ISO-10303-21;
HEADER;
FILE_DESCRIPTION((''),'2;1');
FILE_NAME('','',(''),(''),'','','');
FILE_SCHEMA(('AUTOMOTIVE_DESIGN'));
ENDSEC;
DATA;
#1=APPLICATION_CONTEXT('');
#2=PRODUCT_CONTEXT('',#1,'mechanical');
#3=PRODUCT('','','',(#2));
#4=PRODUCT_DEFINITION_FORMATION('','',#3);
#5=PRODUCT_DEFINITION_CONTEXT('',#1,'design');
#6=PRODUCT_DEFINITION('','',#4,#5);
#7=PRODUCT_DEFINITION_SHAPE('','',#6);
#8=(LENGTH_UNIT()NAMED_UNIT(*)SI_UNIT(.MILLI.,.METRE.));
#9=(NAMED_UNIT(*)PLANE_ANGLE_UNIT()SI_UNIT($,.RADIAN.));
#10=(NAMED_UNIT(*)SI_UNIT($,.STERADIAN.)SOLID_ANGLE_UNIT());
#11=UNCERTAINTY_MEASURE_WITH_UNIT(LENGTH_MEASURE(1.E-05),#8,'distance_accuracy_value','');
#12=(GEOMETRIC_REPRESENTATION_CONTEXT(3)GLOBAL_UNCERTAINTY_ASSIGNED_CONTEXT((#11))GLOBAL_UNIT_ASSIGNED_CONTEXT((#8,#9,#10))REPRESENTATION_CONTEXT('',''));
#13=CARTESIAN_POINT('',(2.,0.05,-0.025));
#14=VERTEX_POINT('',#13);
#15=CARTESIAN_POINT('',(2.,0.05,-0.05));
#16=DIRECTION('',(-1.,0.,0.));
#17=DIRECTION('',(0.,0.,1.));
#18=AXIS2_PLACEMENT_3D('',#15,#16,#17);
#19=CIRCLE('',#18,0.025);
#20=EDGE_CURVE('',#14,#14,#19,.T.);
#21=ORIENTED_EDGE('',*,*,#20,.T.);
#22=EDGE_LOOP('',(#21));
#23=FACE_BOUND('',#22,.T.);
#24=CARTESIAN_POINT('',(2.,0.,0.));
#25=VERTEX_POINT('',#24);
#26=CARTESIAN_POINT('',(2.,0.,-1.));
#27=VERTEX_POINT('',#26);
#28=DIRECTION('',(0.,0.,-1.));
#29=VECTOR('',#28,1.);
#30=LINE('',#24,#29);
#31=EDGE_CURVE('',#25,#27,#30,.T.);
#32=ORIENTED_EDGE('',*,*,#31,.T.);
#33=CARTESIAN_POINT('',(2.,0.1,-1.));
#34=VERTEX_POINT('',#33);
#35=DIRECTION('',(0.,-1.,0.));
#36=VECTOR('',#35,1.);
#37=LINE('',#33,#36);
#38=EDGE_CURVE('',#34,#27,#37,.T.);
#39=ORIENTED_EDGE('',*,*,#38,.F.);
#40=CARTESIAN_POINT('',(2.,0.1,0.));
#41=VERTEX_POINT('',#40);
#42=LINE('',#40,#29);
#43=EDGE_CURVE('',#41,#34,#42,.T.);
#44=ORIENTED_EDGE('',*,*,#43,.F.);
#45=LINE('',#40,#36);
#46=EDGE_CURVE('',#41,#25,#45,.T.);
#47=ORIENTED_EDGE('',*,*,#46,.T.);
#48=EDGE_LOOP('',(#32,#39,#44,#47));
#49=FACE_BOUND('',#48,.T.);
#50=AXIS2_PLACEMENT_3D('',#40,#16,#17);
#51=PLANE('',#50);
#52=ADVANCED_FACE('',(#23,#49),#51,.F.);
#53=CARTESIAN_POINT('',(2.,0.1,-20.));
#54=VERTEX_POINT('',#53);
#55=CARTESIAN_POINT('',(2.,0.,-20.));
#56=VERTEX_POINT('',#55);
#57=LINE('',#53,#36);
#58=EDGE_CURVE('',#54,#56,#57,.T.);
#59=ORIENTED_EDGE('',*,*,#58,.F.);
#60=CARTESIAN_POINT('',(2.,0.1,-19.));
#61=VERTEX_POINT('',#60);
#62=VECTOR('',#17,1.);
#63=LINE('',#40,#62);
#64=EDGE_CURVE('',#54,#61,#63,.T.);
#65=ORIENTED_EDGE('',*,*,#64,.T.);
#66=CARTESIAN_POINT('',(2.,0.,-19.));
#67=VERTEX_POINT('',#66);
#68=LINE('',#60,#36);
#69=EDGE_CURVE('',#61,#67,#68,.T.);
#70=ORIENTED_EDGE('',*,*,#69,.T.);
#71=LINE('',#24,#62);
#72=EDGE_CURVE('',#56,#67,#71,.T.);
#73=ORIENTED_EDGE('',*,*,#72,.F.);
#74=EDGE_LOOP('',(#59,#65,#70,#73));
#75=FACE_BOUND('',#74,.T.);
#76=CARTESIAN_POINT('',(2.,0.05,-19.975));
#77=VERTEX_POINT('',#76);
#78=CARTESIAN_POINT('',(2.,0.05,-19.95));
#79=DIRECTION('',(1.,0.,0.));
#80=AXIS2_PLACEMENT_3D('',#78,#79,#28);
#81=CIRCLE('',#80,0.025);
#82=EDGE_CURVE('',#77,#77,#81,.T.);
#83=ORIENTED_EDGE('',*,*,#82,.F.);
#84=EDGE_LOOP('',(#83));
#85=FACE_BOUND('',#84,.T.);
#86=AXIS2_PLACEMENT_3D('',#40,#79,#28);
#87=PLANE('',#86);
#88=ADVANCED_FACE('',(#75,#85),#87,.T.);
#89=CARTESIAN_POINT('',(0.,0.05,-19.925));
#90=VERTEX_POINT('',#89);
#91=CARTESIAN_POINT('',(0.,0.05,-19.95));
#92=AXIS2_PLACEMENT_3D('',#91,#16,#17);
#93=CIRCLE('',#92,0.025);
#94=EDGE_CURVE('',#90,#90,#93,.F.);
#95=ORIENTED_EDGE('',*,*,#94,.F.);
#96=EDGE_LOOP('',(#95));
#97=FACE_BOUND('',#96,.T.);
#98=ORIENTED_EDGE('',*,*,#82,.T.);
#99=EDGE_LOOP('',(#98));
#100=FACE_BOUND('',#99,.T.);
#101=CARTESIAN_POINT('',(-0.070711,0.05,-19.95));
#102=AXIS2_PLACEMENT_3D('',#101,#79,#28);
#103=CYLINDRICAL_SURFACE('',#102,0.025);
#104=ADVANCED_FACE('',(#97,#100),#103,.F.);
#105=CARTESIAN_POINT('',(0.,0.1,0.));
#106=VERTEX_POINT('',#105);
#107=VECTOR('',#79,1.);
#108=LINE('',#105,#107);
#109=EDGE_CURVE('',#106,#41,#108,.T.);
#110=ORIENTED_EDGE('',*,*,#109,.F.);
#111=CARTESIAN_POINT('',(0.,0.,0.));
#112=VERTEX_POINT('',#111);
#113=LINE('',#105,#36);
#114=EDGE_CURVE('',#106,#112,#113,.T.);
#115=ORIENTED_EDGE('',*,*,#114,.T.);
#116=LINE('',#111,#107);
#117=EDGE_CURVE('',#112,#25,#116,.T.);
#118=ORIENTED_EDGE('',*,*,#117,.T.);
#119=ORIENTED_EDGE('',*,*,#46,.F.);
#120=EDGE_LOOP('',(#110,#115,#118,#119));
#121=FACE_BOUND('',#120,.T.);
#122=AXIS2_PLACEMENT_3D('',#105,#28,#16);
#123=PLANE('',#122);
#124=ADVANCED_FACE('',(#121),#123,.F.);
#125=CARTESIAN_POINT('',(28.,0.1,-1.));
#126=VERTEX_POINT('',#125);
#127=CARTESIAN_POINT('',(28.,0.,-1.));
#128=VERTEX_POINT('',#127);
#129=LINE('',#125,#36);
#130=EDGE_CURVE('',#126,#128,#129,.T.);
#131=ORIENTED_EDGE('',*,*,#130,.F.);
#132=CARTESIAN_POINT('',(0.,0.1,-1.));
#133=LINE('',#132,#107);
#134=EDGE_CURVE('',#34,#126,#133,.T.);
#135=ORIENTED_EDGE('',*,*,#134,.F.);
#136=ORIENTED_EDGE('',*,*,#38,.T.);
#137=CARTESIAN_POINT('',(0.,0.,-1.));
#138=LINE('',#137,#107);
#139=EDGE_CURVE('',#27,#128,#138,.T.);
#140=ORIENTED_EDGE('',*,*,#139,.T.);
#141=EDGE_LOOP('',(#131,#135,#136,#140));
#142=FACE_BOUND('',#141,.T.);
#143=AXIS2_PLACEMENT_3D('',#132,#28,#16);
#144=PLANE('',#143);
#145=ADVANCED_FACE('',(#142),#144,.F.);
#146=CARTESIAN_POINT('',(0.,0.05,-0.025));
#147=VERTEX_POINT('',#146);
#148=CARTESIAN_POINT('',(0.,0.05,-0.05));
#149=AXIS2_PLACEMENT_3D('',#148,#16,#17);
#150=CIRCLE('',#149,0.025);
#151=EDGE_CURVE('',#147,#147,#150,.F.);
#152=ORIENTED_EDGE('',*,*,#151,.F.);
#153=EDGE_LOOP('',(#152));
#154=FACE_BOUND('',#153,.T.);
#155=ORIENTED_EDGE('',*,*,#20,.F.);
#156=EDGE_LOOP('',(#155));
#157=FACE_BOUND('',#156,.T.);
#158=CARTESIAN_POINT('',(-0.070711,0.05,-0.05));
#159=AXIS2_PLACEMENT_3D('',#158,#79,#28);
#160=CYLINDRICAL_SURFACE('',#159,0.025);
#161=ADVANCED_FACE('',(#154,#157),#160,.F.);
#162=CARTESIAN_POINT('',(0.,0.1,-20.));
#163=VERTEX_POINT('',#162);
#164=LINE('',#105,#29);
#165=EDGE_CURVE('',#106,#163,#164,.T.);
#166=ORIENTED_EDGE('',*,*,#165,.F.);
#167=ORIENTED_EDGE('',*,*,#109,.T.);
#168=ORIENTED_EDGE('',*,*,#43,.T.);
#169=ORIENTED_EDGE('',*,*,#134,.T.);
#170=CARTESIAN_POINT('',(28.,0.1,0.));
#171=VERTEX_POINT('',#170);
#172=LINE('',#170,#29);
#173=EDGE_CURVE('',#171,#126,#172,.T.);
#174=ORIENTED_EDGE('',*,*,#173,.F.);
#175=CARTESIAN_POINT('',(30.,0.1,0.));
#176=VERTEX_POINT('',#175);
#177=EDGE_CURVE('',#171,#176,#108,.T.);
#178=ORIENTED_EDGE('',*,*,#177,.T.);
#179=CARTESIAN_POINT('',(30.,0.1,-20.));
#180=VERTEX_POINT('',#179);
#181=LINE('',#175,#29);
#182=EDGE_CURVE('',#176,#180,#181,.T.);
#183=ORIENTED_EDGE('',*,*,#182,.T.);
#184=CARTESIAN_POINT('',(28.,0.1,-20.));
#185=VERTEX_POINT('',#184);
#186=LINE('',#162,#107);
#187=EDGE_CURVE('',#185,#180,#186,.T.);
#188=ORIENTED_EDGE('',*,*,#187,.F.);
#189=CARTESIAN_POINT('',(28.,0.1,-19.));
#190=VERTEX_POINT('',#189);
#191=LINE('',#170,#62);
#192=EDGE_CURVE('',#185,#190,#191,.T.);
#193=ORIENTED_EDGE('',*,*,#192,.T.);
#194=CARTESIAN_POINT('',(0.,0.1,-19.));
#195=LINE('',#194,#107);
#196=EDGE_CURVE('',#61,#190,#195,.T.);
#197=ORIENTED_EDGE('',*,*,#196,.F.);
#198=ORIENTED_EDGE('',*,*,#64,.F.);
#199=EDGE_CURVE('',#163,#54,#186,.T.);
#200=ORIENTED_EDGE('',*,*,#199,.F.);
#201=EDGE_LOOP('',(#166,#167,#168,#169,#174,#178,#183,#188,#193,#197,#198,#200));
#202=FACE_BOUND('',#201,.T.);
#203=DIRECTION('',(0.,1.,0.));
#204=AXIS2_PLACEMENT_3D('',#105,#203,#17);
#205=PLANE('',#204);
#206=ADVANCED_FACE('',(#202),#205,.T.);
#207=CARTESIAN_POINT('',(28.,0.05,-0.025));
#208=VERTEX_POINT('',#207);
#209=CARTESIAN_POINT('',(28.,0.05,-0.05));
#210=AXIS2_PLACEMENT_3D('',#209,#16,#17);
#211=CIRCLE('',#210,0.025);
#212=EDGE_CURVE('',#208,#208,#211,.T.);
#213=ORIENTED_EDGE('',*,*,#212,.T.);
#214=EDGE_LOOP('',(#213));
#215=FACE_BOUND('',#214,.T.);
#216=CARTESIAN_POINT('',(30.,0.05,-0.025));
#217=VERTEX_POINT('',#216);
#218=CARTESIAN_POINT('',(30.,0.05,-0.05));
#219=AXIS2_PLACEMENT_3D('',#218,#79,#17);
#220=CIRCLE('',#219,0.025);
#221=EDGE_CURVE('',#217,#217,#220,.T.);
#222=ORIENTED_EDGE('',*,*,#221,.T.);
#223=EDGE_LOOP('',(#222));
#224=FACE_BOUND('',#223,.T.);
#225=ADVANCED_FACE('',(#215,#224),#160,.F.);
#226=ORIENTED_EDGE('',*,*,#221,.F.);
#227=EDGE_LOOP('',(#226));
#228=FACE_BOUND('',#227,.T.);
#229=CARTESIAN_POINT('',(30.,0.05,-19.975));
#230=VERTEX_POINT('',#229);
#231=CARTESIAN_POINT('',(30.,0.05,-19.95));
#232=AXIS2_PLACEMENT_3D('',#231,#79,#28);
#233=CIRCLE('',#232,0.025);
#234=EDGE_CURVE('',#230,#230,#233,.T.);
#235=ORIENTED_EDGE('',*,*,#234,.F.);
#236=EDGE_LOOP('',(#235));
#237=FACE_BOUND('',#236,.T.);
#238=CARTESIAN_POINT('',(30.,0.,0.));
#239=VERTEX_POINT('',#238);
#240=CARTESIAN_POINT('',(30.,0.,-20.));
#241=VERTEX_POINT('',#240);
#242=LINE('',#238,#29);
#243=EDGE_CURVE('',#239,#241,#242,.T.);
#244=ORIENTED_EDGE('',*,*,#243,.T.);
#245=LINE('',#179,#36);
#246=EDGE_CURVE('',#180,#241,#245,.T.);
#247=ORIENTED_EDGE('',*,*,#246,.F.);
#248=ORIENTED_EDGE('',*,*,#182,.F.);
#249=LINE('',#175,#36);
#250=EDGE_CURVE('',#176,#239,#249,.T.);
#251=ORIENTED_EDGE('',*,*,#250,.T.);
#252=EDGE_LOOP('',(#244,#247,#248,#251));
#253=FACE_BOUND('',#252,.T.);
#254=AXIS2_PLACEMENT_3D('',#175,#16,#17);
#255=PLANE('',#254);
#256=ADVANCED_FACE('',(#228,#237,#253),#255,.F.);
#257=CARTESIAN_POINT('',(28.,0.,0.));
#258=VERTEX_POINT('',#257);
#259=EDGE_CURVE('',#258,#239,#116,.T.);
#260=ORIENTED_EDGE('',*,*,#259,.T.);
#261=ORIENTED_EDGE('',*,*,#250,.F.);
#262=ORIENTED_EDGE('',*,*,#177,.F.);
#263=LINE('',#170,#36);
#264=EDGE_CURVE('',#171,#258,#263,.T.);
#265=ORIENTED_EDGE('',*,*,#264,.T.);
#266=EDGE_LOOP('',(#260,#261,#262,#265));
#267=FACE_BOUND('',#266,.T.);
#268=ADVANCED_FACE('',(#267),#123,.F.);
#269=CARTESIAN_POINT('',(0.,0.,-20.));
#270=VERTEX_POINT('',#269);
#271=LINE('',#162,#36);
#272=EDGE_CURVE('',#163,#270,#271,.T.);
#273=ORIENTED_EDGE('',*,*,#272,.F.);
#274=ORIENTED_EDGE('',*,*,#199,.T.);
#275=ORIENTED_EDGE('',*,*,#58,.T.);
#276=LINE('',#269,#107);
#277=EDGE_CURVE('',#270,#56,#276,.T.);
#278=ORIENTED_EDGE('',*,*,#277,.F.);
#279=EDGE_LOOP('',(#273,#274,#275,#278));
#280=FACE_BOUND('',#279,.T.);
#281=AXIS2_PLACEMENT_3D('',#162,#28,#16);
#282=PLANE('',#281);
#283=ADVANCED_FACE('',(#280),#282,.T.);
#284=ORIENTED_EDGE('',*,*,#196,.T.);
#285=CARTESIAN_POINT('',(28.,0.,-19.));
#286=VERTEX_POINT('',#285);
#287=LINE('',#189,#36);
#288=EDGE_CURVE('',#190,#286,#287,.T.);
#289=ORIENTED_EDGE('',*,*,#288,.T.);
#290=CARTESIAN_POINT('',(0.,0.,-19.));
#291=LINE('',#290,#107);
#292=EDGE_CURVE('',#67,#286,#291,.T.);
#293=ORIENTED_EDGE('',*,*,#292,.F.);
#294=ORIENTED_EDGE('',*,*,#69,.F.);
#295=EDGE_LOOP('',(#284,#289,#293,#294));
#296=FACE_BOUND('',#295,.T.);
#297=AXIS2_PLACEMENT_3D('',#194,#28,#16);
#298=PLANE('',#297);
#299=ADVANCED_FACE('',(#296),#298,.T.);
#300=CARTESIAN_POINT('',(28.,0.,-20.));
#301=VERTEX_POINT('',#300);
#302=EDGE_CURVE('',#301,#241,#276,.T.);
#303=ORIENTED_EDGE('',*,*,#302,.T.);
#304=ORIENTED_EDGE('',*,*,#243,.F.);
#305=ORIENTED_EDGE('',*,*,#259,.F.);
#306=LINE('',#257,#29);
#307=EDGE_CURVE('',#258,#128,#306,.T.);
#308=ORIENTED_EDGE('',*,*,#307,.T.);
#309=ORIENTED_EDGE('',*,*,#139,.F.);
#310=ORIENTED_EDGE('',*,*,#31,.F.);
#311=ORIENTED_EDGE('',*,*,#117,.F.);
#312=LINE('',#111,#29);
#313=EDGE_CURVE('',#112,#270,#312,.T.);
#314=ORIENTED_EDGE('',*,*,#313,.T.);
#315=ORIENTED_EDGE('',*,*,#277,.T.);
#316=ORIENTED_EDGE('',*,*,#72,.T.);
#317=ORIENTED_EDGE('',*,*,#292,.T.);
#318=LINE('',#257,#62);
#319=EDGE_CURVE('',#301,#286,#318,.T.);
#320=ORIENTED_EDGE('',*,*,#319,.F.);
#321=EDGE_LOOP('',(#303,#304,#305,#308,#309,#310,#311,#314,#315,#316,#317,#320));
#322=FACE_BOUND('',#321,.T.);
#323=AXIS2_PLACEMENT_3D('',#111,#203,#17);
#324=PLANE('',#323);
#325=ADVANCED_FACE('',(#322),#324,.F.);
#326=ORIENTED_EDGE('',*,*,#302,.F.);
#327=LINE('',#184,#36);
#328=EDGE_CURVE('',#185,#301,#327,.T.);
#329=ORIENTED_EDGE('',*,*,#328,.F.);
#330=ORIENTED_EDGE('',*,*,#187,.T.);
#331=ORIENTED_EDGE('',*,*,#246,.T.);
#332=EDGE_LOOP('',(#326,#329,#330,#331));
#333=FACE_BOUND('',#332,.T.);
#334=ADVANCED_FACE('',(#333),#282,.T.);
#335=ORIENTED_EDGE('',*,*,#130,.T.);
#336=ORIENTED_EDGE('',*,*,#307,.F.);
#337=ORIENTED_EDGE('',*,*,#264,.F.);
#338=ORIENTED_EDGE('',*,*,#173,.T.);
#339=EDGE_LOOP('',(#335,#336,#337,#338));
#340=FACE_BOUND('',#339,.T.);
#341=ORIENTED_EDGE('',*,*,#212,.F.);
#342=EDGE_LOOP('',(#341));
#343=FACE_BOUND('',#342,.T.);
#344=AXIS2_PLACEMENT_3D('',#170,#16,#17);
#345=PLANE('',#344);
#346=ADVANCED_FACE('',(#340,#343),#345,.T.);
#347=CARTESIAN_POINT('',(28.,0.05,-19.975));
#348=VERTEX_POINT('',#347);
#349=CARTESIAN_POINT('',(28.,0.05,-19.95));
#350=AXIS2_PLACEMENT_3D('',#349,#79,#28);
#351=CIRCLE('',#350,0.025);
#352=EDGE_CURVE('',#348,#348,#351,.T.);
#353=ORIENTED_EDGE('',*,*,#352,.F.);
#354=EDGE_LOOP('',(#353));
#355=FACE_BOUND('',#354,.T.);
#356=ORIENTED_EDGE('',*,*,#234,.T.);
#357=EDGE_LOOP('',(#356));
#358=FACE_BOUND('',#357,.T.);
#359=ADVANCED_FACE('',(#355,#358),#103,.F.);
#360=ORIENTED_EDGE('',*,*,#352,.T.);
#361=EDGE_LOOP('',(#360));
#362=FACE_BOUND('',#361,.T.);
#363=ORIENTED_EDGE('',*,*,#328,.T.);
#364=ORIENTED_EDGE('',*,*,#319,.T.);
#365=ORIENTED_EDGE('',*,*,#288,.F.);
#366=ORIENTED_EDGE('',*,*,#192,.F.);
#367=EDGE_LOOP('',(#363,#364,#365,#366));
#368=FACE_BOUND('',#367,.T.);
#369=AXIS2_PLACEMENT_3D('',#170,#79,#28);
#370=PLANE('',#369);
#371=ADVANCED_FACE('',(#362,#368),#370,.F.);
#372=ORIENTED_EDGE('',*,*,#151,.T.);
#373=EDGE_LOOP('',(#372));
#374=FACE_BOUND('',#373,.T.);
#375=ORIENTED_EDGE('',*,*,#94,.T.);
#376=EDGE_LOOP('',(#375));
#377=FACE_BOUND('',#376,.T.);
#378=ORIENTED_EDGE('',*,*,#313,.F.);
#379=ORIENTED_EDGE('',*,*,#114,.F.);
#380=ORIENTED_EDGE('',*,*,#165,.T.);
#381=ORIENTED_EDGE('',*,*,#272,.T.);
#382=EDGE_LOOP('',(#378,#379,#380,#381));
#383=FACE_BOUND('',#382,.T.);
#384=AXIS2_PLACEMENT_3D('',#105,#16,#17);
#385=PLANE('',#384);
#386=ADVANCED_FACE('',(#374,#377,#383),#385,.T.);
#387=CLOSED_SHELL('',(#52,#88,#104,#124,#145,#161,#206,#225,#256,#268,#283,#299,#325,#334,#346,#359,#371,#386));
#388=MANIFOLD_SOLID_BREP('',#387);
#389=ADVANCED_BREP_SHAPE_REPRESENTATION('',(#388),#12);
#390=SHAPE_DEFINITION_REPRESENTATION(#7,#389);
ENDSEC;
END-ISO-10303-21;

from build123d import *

# Parameters (mm, degrees)
SALIENTE_EXTRUIR1_DEPTH = 0.1
CROQUIS2_R              = 0.025
CORTAR_EXTRUIR1_DEPTH   = 30


with BuildPart() as part:
    # Croquis1 → Saliente-Extruir1 (new body)
    with BuildSketch(Plane(origin=(0, 0, 0), x_dir=(1, 0, 0), z_dir=(0, 1, 0))):
        Polygon((0, 20), (0, 0), (2, 0), (2, 1), (28, 1), (28, 0), (30, 0), (30, 20), (28, 20), (28, 19), (2, 19), (2, 20), align=None)
    extrude(amount=SALIENTE_EXTRUIR1_DEPTH)

    # Croquis2 → Cortar-Extruir1 (cut)
    with BuildSketch(Plane(origin=(30, 0, 0), x_dir=(0, 0, -1), z_dir=(1, 0, 0))):
        with Locations((19.95, 0.05)):
            Circle(CROQUIS2_R)
        with Locations((0.05, 0.05)):
            Circle(CROQUIS2_R)
    extrude(amount=-CORTAR_EXTRUIR1_DEPTH, mode=Mode.SUBTRACT)


solid = part.part
